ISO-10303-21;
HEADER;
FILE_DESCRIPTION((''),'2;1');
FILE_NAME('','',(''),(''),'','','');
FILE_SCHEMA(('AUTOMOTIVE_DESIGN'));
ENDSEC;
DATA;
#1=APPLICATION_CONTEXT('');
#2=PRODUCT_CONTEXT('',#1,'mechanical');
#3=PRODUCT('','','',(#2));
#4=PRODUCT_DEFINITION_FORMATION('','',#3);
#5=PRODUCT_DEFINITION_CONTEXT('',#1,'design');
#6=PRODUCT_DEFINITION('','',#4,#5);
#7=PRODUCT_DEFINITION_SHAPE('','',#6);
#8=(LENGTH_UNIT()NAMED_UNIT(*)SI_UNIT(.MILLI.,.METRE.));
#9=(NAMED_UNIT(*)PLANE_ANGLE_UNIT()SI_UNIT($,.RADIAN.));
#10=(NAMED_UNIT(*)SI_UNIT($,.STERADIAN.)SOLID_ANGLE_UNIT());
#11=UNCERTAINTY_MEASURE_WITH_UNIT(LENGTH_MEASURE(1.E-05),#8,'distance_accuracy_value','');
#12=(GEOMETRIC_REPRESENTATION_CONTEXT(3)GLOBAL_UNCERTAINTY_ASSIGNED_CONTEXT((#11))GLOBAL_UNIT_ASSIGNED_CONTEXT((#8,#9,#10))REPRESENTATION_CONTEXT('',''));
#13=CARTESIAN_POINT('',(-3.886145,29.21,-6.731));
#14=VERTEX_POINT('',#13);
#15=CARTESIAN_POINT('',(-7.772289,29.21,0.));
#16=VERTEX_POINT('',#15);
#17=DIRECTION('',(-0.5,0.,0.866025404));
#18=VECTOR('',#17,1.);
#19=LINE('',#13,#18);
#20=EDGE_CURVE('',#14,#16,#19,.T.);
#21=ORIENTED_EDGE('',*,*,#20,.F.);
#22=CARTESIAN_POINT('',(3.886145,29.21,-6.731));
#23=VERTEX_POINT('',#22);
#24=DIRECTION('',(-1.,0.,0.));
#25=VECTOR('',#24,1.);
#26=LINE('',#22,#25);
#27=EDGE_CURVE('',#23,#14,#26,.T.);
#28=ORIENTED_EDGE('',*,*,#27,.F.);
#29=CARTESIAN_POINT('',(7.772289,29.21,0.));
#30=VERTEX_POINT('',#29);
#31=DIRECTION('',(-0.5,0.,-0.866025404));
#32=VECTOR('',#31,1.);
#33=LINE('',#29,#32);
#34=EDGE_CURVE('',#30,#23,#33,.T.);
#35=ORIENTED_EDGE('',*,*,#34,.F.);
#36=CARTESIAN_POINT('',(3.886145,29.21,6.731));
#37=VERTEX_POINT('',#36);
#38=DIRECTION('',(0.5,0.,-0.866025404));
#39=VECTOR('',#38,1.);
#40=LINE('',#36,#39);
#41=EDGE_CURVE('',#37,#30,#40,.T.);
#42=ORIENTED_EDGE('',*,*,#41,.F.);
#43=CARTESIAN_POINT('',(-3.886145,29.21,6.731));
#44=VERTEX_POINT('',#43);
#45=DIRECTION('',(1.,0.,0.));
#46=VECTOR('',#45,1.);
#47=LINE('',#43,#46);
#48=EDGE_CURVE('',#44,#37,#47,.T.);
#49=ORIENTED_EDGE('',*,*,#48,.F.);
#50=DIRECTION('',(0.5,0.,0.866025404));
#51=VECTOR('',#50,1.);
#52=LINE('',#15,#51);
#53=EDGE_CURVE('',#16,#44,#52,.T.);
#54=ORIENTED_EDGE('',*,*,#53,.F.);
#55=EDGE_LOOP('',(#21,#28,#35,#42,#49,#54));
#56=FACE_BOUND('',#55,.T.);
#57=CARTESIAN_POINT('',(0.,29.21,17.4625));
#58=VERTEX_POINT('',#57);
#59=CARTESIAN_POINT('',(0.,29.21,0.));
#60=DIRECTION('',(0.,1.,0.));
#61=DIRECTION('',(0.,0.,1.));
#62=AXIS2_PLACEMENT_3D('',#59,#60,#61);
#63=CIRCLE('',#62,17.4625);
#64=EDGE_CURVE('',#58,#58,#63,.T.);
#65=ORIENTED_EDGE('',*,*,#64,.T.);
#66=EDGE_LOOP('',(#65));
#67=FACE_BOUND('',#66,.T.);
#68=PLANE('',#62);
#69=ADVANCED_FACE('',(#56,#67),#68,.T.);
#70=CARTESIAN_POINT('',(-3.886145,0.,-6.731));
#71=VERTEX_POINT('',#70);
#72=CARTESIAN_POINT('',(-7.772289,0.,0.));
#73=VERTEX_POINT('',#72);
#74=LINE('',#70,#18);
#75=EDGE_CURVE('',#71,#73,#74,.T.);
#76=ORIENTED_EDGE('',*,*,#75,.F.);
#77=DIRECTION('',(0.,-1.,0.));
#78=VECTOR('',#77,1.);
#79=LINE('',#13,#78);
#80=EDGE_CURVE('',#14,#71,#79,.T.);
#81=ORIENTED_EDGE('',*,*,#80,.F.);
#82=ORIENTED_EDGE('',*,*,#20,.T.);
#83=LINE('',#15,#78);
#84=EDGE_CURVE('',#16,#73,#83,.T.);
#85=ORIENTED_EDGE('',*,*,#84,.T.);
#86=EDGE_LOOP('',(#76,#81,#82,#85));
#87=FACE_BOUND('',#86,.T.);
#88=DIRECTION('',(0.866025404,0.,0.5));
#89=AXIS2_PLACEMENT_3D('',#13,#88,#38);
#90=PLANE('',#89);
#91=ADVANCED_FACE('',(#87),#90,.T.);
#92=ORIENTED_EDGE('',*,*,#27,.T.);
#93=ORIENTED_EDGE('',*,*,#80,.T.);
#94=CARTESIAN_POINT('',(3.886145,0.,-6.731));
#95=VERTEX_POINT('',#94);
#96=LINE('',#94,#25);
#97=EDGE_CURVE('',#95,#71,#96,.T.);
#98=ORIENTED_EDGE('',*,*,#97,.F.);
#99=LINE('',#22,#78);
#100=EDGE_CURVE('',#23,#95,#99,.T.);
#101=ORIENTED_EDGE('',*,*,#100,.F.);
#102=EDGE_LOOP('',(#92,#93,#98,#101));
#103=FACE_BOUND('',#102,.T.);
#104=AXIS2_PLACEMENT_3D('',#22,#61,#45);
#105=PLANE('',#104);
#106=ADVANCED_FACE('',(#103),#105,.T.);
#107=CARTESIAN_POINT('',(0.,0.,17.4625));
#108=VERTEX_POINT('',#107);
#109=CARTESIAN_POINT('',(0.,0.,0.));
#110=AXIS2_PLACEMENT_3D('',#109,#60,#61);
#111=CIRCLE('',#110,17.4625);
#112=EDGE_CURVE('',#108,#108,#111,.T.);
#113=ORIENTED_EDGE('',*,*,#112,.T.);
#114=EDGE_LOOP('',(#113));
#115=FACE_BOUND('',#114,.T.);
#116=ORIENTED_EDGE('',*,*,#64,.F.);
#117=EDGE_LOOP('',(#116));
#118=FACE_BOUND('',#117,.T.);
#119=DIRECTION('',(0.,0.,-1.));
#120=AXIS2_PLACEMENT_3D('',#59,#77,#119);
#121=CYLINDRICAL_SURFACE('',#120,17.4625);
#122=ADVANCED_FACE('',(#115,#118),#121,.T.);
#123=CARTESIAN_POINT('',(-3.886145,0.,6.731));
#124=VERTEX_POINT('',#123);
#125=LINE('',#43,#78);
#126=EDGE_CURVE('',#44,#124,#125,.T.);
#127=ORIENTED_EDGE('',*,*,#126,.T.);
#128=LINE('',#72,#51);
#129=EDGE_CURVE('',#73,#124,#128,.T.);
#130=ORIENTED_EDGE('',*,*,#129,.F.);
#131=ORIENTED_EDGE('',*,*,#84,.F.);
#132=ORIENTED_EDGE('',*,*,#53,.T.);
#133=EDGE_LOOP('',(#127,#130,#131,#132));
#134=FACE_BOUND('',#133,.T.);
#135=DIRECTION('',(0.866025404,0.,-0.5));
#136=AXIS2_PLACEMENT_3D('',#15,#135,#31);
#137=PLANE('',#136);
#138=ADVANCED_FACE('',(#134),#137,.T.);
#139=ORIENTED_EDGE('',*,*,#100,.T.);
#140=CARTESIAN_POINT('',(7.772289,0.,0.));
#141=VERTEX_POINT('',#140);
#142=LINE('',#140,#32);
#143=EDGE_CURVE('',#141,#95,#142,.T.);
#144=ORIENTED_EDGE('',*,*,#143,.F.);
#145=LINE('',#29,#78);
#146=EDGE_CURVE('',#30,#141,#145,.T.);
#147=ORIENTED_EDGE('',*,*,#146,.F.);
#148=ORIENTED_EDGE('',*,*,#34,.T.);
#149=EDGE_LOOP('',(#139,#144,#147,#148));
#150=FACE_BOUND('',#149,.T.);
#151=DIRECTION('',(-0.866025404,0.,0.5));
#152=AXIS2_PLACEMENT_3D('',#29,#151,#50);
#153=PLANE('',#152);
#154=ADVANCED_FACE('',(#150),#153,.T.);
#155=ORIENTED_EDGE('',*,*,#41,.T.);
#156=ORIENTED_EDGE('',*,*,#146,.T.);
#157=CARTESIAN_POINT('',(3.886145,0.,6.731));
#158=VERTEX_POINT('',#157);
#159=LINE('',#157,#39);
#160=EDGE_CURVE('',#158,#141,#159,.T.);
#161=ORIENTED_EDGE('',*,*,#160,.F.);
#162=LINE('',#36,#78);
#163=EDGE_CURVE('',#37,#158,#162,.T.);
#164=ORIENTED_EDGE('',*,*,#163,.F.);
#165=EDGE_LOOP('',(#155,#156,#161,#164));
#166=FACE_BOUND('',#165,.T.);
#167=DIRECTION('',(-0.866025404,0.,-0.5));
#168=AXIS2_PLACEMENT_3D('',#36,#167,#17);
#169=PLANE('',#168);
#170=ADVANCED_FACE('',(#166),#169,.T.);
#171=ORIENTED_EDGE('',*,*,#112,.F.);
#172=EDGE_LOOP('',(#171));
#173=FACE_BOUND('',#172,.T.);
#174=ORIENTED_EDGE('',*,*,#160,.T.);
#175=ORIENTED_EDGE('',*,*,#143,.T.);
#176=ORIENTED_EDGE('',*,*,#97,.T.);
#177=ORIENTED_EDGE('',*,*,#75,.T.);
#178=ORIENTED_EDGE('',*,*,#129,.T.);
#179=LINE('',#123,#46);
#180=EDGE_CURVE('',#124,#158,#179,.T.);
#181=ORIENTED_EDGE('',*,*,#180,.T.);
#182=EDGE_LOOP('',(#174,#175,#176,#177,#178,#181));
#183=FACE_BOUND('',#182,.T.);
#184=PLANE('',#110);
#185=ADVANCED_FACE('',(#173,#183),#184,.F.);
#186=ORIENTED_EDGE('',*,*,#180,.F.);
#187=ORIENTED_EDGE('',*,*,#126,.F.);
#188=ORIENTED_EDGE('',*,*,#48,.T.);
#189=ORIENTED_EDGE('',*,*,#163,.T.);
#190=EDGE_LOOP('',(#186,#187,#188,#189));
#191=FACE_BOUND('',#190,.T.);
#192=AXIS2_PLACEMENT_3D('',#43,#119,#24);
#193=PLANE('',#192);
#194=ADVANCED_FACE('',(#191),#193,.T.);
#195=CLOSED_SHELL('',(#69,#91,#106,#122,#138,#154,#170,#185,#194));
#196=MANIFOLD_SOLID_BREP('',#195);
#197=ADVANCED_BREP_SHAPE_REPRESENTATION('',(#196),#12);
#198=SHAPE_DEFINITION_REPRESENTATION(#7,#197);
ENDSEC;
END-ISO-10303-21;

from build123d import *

# Parameters (mm, degrees)
SKETCH1_R           = 17.4625
BOSS_EXTRUDE1_DEPTH = 29.21


with BuildPart() as part:
    # Sketch1 → Boss-Extrude1 (new body)
    with BuildSketch(Plane(origin=(0, 0, 0), x_dir=(1, 0, 0), z_dir=(0, 1, 0))):
        Circle(SKETCH1_R)
        Polygon((7.772289324, 0), (3.886144662, 6.731), (-3.886144662, 6.731), (-7.772289324, 0), (-3.886144662, -6.731), (3.886144662, -6.731), align=None, mode=Mode.SUBTRACT)
    extrude(amount=BOSS_EXTRUDE1_DEPTH)


solid = part.part
